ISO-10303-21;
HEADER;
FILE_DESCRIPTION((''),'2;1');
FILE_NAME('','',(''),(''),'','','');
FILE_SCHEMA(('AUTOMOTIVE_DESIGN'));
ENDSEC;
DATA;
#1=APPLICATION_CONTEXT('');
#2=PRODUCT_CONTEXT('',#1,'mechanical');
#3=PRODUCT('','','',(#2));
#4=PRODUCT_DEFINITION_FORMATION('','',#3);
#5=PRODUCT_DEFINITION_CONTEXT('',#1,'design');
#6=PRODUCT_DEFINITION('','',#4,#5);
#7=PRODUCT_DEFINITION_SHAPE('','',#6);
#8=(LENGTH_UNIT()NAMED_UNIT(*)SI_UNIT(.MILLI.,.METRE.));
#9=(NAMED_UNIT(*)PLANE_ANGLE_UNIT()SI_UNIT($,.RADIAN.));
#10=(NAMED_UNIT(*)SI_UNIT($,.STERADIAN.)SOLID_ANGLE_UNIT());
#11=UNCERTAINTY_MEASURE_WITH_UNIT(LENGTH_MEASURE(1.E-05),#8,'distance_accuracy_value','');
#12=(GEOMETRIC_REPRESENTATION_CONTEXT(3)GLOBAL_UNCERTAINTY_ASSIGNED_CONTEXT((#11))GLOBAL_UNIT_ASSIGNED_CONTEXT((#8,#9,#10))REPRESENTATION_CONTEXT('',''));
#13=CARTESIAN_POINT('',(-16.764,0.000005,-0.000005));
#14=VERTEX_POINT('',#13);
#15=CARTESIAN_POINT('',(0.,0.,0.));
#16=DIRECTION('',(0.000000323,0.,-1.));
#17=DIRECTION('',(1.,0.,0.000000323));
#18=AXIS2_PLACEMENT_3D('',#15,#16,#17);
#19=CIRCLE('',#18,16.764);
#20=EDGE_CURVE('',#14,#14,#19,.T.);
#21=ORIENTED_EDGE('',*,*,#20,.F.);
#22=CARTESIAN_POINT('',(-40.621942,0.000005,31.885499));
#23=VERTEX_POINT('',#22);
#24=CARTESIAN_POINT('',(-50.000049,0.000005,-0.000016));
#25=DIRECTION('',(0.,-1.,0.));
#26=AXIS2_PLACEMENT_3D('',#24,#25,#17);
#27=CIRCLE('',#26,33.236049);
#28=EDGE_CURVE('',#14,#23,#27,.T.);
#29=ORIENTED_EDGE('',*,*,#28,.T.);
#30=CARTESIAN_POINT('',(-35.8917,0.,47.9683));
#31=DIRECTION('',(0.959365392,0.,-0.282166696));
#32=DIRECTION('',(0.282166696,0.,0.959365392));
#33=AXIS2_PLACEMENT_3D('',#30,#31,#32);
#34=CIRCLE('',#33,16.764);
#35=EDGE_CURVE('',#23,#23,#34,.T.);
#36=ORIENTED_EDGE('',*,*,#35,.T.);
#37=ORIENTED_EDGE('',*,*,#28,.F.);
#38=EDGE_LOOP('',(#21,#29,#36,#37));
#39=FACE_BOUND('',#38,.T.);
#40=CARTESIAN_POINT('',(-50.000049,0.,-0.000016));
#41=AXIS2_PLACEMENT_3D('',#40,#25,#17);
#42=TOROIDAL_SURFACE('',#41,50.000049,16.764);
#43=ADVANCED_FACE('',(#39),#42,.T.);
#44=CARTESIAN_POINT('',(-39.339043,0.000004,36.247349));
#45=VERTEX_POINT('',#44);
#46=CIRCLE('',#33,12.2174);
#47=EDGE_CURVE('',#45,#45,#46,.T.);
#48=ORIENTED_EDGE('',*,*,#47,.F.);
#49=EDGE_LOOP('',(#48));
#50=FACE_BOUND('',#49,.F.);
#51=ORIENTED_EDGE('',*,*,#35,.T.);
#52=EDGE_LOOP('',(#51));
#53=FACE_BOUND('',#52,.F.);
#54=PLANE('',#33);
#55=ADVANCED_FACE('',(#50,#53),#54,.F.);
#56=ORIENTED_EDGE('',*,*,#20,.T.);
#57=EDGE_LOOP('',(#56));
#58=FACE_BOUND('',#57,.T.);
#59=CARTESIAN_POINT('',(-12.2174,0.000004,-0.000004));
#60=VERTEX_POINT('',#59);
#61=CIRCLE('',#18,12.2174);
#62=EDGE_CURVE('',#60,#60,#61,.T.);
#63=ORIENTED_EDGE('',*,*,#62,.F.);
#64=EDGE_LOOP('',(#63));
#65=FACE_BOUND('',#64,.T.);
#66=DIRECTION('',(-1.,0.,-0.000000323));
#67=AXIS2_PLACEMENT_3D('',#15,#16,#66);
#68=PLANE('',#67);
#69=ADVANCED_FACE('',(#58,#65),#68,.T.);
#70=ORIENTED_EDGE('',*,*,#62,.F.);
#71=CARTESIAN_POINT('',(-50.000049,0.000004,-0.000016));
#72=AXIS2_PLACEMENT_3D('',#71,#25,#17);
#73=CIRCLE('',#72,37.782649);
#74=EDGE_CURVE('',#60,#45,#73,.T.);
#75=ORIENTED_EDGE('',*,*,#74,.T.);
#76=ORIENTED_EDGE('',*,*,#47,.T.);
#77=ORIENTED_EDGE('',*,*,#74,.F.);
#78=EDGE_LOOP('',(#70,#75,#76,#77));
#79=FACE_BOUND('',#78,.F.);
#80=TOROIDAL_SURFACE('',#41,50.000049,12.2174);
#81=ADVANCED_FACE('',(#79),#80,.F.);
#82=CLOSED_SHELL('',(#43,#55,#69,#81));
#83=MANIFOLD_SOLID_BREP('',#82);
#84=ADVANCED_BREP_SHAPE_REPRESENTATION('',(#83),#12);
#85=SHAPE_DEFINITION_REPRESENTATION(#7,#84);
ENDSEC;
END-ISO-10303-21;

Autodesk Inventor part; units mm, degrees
ref_plane "Start Plane" through (0, 0, 0) normal (0, 0, 1) x (1, 0, 0)
ref_plane "End Plane" through (0, 0, 64.2372) normal (0, 0, 1) x (1, 0, 0)
sketch "Sketch" plane through (0, 0, 0) normal (0, 0, -1) x (-1, 0, 0)
  circle A0 centre (0, 0) radius 12.2174
  circle A1 centre (0, 0) radius 16.764
  dimension "d0" = 33.528
  dimension "d1" = 4.5466
sketch "Sketch3" plane through (0, 0, 0) normal (0, 0, 1) x (1, 0, 0)
  line L0 (0, 0) -> (10, 0)
ref_plane "Work Plane3" through (0, 0, 0) normal (0, -1, 0) x (1, 0, 0)
ref_plane "Orientation Work Plane" through (0, 0, 0) normal (0, 0, -1) x (-1, 0, 0)
sketch3d "Sweep Path"
  arc A0 (0, 0, 0) -> (-35.8917, 0, 47.9683) centre (-50, 0, 0) ccw
sweep "Body" add profiles "Sketch" path "Sweep Path"
sketch "Sketch4" plane through (0, 0, 0) normal (0, -1, 0) x (1, 0, 0)
  line L0 (-2, 0) -> (12, 0) projected
  line L1 (-52.0991, 64.2372) -> (28.2412, 64.2372) projected
  dimension "d7" = 64.2372
equation "\"d0\" = G_H"
equation "\"d1\" = G_T"
equation "\"G_H\" = 33.528"
equation "\"G_T\" = 4.5466"
equation "\"G_L\" = d7"
equation "\"G_OFFSET_START\" = 0"
equation "\"G_OFFSET_END\" = 0"
equation "\"d5\" = G_OFFSET_END + B_L"
equation "\"B_L\" = 64.23724"
properties part number "ANSI - 1 x 0.179 - 2.529" material "Steel, Mild"
